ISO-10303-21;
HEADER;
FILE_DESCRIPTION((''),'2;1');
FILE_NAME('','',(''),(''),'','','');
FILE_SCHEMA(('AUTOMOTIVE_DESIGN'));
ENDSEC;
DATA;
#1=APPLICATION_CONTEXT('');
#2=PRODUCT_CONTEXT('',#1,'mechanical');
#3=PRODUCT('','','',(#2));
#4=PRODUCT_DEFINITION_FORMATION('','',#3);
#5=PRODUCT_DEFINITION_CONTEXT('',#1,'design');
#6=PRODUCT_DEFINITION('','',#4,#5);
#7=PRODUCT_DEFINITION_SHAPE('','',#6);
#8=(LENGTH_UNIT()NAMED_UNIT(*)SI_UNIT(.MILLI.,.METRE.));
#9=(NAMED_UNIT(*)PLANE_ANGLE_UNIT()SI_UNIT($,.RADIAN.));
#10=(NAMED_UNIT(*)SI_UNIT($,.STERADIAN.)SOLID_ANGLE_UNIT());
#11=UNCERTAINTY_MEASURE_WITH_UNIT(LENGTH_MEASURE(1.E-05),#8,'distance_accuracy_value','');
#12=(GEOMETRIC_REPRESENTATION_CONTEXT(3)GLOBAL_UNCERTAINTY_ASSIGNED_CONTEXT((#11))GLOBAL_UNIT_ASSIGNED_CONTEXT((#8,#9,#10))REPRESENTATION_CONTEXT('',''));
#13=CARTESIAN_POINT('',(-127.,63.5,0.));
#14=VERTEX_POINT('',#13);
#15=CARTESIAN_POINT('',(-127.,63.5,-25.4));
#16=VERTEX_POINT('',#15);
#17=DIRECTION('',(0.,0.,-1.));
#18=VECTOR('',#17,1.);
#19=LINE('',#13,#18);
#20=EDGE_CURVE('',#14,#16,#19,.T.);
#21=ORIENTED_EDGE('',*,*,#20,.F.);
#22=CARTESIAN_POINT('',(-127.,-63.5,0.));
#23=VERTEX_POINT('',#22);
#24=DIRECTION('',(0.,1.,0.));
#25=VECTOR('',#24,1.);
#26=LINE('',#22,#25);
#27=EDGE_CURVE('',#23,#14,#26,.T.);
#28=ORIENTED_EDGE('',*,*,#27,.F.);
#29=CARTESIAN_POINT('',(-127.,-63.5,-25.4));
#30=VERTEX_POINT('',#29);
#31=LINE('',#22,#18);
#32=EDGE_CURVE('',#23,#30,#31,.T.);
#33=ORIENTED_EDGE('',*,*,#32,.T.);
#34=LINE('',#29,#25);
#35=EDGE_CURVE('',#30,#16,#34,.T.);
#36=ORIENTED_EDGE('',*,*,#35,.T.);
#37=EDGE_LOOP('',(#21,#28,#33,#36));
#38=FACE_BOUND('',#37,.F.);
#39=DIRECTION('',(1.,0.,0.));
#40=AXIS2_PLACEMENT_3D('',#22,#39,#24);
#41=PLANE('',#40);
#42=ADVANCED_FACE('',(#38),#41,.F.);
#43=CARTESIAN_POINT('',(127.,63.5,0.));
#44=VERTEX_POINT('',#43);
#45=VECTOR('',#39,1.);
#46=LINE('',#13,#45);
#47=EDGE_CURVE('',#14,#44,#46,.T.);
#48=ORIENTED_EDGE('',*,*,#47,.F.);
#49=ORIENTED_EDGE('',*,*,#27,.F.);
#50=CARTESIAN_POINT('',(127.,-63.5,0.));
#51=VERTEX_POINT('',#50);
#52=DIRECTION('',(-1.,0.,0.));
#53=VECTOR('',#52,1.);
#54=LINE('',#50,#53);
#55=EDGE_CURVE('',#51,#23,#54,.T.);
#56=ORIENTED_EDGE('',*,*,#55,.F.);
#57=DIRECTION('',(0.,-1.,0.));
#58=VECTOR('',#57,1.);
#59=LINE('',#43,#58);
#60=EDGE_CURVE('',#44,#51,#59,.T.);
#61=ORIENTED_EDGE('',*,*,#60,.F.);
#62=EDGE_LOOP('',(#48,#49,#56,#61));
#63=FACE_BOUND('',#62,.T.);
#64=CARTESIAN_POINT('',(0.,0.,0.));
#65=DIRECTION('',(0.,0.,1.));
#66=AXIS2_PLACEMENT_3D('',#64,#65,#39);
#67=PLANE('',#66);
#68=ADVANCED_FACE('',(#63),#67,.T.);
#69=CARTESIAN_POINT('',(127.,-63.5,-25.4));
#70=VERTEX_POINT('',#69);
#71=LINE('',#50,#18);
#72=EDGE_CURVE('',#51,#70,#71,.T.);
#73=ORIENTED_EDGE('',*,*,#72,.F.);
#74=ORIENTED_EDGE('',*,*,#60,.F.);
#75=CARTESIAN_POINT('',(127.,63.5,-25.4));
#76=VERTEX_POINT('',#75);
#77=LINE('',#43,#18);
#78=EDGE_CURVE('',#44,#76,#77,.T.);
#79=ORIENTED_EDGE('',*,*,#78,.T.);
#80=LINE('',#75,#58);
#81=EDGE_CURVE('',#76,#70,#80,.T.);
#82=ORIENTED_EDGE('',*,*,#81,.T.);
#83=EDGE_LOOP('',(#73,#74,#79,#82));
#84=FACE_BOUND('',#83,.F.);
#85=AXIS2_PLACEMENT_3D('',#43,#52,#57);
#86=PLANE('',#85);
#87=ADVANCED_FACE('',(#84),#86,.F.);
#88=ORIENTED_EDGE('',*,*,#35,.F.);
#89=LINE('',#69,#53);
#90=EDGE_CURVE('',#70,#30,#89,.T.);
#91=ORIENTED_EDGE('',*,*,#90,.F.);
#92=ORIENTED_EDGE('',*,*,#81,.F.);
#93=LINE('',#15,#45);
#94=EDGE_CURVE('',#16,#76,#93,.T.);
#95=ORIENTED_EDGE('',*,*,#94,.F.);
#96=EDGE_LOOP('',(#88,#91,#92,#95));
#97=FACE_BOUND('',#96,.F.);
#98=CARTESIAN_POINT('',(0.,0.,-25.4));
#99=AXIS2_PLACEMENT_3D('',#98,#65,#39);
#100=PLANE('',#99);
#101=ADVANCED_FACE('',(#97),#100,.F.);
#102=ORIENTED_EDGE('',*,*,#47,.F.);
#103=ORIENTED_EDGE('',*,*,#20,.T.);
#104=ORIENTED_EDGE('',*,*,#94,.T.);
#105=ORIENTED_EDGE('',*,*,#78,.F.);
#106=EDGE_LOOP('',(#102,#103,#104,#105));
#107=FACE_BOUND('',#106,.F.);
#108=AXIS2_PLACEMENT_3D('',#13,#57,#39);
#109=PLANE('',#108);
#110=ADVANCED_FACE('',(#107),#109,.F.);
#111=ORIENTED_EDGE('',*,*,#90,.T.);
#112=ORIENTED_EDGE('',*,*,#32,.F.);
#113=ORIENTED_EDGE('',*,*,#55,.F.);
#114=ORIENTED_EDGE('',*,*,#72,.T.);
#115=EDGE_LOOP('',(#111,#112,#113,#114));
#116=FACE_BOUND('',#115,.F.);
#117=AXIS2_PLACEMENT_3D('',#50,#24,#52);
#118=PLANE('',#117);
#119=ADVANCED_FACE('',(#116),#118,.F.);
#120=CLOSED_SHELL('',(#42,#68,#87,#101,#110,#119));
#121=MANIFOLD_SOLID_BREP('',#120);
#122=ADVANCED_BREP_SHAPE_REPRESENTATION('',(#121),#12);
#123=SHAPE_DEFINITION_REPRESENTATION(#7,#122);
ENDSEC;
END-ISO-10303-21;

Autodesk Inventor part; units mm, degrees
ref_plane "YZ Plane" through (0, 0, 0) normal (1, 0, 0) x (0, 1, 0)
ref_plane "XZ Plane" through (0, 0, 0) normal (0, 1, 0) x (-1, 0, 0)
ref_plane "XY Plane" through (0, 0, 0) normal (0, 0, 1) x (1, 0, 0)
sketch "Sketch1" plane through (0, 0, 0) normal (0, 0, 1) x (1, 0, 0)
  line L0 (-127, 63.5) -> (127, 63.5)
  line L1 (127, 63.5) -> (127, -63.5)
  line L2 (127, -63.5) -> (-127, -63.5)
  line L3 (-127, -63.5) -> (-127, 63.5)
  line L4 (-127, 63.5) -> (127, -63.5) construction
  point P0 (0, 0)
  point P1 (0, 0)
  dimension "BLlength" = 254
  dimension "BLwidth" = 127
extrude "Extrusion1" add sketch "Sketch1" against normal blind 25.4
sketch "Sketch2" plane through (0, 0, 0) normal (0, 0, 1) x (1, 0, 0)
  line L0 (-127, 63.5) -> (127, 63.5) projected
  line L1 (-127, -63.5) -> (-127, 63.5) projected
  point P0 (0, 0)
  point P1 (25.2505, 0)
  point P2 (44.2485, 0)
  point P3 (57.731, 0)
  point P4 (86.8409, 0)
properties part number "Placement"
